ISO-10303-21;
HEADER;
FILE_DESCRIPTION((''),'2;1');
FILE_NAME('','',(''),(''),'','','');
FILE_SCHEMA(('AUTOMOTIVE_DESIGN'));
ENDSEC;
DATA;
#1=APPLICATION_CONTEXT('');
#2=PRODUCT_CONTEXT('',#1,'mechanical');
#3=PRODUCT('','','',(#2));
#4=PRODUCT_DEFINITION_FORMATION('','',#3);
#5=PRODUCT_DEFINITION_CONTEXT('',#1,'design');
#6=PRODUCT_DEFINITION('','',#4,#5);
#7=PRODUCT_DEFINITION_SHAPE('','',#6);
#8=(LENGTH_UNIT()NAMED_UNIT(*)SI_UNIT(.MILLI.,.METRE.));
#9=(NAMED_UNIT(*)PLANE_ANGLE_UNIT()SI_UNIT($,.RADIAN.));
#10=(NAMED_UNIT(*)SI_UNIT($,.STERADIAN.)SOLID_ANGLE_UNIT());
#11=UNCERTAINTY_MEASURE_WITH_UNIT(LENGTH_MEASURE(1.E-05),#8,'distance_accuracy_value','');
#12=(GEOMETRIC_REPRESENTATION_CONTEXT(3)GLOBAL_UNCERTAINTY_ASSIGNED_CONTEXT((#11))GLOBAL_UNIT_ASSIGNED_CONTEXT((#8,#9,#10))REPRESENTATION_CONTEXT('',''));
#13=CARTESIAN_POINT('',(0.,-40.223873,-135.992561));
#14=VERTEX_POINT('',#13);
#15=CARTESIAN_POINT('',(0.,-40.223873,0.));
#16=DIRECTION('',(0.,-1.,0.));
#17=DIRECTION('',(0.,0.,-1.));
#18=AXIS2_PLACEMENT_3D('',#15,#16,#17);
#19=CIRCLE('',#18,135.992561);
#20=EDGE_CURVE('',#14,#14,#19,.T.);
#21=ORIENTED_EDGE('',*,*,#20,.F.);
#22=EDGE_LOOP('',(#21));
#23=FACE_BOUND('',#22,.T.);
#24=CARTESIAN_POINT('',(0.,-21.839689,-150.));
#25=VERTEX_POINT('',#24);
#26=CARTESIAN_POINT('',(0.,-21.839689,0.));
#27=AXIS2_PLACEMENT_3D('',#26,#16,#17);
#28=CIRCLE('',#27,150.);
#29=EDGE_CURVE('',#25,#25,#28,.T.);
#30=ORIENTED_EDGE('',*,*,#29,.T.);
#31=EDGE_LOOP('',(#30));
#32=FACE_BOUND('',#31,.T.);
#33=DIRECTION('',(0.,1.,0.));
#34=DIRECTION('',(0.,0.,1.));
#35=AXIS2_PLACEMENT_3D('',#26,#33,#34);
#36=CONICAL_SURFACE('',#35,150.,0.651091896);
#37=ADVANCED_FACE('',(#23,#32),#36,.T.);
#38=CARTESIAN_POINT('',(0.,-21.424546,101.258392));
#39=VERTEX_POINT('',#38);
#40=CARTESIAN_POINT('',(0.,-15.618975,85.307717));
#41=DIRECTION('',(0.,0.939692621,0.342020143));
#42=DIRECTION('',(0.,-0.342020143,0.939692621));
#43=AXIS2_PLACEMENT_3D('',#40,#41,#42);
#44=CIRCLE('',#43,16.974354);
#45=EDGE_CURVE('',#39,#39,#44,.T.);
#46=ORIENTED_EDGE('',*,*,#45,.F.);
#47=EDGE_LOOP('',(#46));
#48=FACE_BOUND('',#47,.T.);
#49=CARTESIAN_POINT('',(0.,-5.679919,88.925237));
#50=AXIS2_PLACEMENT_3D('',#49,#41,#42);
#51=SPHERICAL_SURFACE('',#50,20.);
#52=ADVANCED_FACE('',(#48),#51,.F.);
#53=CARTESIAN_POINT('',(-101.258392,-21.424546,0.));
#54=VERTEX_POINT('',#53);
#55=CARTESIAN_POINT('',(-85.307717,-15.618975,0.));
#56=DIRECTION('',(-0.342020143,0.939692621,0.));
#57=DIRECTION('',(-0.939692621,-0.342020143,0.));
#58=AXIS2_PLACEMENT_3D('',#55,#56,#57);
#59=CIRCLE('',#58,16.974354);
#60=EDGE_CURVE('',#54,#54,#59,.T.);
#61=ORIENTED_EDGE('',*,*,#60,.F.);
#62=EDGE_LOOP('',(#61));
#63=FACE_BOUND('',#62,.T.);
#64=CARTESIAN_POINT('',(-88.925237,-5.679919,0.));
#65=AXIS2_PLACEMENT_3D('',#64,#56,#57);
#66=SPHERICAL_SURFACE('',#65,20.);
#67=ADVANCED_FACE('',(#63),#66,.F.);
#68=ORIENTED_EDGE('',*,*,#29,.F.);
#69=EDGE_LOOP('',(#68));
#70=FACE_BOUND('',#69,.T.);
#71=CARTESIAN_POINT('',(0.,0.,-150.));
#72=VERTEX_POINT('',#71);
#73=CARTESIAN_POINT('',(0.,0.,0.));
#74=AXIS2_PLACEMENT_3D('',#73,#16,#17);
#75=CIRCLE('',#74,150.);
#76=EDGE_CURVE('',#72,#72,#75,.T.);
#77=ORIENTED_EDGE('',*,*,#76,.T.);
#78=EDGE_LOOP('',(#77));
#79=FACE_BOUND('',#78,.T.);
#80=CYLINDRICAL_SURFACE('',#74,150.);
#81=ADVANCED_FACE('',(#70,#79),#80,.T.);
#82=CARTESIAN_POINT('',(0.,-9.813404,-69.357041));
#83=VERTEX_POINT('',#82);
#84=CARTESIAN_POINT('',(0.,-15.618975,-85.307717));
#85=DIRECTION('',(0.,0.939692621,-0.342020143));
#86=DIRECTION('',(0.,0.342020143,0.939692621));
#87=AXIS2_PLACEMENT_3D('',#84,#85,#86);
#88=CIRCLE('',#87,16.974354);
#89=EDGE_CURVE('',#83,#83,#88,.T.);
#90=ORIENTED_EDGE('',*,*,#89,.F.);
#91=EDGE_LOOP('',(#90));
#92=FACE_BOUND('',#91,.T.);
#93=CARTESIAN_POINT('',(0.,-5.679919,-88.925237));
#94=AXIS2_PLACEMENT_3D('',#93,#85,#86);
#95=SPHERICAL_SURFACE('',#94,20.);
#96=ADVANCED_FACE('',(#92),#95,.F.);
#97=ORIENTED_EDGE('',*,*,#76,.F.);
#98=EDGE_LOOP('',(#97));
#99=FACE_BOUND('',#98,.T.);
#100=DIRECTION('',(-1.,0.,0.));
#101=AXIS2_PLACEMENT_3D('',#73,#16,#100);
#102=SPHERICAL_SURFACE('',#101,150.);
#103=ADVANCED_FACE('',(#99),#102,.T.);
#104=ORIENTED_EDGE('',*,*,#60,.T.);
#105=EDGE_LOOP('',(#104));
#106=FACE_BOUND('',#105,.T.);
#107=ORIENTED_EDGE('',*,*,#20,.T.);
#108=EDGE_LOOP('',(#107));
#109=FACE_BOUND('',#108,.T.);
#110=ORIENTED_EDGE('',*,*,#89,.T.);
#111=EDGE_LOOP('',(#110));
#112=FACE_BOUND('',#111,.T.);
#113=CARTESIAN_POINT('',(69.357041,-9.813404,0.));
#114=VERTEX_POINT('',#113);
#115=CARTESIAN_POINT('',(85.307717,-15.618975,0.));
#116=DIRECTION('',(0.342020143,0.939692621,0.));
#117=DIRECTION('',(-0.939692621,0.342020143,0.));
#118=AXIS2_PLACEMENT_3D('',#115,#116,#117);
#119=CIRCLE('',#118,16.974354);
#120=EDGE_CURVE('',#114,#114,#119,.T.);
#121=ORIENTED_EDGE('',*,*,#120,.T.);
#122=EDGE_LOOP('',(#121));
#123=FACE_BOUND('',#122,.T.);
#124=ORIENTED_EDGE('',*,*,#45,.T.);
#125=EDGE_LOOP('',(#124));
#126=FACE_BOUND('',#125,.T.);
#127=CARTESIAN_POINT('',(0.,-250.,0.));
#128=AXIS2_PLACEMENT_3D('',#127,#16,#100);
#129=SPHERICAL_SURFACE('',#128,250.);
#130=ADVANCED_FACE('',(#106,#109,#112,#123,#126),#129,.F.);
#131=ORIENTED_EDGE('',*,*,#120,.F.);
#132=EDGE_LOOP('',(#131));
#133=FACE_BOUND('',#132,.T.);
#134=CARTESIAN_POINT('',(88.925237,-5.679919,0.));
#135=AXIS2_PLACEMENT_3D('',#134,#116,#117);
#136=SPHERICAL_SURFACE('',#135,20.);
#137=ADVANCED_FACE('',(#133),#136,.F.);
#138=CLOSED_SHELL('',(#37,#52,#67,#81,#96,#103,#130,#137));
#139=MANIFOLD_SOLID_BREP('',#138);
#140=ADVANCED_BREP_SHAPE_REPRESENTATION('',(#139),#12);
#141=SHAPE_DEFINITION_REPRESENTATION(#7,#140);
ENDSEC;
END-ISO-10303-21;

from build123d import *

# Parameters (mm, degrees)
CIRPATTERN2_COUNT = 4


with BuildPart() as part:
    # Sketch1 → Revolve1 (revolve)
    with BuildSketch(Plane.XY):
        with BuildLine():
            Line((-150, 0), (-150, -21.839688718))
            Line((-150, -21.839688718), (-135.992561225, -40.2238734))
            ThreePointArc((-135.992561225, -40.2238734), (-70.908280017, -10.266781974), (0, 0))
            Line((0, 0), (0, 150))
            ThreePointArc((0, 150), (-106.066017178, 106.066017178), (-150, 0))
        make_face()
    revolve(axis=Axis((0, 0, 0), (0, 1, 0)))

    # Sketch2 → Cut-Revolve2 (revolve, cut)
    with BuildSketch(Plane.XY):
        with BuildLine():
            Line((88.925237265, -25.679918596), (88.925237265, 14.320081404))
            ThreePointArc((88.925237265, 14.320081404), (108.925237265, -5.679918596), (88.925237265, -25.679918596))
        make_face()
    cut_revolve2 = revolve(axis=Axis((88.925237265, -25.679918596, 0), (0, 1, 0)), mode=Mode.SUBTRACT)

    # CirPattern2: Cut-Revolve2 ×4 about axis
    cirpattern2_axis = Axis((0, 0, 0), (0, 1, 0))
    for i in range(1, CIRPATTERN2_COUNT):
        add(cut_revolve2.rotate(cirpattern2_axis, i * 360 / CIRPATTERN2_COUNT), mode=Mode.SUBTRACT)


solid = part.part
